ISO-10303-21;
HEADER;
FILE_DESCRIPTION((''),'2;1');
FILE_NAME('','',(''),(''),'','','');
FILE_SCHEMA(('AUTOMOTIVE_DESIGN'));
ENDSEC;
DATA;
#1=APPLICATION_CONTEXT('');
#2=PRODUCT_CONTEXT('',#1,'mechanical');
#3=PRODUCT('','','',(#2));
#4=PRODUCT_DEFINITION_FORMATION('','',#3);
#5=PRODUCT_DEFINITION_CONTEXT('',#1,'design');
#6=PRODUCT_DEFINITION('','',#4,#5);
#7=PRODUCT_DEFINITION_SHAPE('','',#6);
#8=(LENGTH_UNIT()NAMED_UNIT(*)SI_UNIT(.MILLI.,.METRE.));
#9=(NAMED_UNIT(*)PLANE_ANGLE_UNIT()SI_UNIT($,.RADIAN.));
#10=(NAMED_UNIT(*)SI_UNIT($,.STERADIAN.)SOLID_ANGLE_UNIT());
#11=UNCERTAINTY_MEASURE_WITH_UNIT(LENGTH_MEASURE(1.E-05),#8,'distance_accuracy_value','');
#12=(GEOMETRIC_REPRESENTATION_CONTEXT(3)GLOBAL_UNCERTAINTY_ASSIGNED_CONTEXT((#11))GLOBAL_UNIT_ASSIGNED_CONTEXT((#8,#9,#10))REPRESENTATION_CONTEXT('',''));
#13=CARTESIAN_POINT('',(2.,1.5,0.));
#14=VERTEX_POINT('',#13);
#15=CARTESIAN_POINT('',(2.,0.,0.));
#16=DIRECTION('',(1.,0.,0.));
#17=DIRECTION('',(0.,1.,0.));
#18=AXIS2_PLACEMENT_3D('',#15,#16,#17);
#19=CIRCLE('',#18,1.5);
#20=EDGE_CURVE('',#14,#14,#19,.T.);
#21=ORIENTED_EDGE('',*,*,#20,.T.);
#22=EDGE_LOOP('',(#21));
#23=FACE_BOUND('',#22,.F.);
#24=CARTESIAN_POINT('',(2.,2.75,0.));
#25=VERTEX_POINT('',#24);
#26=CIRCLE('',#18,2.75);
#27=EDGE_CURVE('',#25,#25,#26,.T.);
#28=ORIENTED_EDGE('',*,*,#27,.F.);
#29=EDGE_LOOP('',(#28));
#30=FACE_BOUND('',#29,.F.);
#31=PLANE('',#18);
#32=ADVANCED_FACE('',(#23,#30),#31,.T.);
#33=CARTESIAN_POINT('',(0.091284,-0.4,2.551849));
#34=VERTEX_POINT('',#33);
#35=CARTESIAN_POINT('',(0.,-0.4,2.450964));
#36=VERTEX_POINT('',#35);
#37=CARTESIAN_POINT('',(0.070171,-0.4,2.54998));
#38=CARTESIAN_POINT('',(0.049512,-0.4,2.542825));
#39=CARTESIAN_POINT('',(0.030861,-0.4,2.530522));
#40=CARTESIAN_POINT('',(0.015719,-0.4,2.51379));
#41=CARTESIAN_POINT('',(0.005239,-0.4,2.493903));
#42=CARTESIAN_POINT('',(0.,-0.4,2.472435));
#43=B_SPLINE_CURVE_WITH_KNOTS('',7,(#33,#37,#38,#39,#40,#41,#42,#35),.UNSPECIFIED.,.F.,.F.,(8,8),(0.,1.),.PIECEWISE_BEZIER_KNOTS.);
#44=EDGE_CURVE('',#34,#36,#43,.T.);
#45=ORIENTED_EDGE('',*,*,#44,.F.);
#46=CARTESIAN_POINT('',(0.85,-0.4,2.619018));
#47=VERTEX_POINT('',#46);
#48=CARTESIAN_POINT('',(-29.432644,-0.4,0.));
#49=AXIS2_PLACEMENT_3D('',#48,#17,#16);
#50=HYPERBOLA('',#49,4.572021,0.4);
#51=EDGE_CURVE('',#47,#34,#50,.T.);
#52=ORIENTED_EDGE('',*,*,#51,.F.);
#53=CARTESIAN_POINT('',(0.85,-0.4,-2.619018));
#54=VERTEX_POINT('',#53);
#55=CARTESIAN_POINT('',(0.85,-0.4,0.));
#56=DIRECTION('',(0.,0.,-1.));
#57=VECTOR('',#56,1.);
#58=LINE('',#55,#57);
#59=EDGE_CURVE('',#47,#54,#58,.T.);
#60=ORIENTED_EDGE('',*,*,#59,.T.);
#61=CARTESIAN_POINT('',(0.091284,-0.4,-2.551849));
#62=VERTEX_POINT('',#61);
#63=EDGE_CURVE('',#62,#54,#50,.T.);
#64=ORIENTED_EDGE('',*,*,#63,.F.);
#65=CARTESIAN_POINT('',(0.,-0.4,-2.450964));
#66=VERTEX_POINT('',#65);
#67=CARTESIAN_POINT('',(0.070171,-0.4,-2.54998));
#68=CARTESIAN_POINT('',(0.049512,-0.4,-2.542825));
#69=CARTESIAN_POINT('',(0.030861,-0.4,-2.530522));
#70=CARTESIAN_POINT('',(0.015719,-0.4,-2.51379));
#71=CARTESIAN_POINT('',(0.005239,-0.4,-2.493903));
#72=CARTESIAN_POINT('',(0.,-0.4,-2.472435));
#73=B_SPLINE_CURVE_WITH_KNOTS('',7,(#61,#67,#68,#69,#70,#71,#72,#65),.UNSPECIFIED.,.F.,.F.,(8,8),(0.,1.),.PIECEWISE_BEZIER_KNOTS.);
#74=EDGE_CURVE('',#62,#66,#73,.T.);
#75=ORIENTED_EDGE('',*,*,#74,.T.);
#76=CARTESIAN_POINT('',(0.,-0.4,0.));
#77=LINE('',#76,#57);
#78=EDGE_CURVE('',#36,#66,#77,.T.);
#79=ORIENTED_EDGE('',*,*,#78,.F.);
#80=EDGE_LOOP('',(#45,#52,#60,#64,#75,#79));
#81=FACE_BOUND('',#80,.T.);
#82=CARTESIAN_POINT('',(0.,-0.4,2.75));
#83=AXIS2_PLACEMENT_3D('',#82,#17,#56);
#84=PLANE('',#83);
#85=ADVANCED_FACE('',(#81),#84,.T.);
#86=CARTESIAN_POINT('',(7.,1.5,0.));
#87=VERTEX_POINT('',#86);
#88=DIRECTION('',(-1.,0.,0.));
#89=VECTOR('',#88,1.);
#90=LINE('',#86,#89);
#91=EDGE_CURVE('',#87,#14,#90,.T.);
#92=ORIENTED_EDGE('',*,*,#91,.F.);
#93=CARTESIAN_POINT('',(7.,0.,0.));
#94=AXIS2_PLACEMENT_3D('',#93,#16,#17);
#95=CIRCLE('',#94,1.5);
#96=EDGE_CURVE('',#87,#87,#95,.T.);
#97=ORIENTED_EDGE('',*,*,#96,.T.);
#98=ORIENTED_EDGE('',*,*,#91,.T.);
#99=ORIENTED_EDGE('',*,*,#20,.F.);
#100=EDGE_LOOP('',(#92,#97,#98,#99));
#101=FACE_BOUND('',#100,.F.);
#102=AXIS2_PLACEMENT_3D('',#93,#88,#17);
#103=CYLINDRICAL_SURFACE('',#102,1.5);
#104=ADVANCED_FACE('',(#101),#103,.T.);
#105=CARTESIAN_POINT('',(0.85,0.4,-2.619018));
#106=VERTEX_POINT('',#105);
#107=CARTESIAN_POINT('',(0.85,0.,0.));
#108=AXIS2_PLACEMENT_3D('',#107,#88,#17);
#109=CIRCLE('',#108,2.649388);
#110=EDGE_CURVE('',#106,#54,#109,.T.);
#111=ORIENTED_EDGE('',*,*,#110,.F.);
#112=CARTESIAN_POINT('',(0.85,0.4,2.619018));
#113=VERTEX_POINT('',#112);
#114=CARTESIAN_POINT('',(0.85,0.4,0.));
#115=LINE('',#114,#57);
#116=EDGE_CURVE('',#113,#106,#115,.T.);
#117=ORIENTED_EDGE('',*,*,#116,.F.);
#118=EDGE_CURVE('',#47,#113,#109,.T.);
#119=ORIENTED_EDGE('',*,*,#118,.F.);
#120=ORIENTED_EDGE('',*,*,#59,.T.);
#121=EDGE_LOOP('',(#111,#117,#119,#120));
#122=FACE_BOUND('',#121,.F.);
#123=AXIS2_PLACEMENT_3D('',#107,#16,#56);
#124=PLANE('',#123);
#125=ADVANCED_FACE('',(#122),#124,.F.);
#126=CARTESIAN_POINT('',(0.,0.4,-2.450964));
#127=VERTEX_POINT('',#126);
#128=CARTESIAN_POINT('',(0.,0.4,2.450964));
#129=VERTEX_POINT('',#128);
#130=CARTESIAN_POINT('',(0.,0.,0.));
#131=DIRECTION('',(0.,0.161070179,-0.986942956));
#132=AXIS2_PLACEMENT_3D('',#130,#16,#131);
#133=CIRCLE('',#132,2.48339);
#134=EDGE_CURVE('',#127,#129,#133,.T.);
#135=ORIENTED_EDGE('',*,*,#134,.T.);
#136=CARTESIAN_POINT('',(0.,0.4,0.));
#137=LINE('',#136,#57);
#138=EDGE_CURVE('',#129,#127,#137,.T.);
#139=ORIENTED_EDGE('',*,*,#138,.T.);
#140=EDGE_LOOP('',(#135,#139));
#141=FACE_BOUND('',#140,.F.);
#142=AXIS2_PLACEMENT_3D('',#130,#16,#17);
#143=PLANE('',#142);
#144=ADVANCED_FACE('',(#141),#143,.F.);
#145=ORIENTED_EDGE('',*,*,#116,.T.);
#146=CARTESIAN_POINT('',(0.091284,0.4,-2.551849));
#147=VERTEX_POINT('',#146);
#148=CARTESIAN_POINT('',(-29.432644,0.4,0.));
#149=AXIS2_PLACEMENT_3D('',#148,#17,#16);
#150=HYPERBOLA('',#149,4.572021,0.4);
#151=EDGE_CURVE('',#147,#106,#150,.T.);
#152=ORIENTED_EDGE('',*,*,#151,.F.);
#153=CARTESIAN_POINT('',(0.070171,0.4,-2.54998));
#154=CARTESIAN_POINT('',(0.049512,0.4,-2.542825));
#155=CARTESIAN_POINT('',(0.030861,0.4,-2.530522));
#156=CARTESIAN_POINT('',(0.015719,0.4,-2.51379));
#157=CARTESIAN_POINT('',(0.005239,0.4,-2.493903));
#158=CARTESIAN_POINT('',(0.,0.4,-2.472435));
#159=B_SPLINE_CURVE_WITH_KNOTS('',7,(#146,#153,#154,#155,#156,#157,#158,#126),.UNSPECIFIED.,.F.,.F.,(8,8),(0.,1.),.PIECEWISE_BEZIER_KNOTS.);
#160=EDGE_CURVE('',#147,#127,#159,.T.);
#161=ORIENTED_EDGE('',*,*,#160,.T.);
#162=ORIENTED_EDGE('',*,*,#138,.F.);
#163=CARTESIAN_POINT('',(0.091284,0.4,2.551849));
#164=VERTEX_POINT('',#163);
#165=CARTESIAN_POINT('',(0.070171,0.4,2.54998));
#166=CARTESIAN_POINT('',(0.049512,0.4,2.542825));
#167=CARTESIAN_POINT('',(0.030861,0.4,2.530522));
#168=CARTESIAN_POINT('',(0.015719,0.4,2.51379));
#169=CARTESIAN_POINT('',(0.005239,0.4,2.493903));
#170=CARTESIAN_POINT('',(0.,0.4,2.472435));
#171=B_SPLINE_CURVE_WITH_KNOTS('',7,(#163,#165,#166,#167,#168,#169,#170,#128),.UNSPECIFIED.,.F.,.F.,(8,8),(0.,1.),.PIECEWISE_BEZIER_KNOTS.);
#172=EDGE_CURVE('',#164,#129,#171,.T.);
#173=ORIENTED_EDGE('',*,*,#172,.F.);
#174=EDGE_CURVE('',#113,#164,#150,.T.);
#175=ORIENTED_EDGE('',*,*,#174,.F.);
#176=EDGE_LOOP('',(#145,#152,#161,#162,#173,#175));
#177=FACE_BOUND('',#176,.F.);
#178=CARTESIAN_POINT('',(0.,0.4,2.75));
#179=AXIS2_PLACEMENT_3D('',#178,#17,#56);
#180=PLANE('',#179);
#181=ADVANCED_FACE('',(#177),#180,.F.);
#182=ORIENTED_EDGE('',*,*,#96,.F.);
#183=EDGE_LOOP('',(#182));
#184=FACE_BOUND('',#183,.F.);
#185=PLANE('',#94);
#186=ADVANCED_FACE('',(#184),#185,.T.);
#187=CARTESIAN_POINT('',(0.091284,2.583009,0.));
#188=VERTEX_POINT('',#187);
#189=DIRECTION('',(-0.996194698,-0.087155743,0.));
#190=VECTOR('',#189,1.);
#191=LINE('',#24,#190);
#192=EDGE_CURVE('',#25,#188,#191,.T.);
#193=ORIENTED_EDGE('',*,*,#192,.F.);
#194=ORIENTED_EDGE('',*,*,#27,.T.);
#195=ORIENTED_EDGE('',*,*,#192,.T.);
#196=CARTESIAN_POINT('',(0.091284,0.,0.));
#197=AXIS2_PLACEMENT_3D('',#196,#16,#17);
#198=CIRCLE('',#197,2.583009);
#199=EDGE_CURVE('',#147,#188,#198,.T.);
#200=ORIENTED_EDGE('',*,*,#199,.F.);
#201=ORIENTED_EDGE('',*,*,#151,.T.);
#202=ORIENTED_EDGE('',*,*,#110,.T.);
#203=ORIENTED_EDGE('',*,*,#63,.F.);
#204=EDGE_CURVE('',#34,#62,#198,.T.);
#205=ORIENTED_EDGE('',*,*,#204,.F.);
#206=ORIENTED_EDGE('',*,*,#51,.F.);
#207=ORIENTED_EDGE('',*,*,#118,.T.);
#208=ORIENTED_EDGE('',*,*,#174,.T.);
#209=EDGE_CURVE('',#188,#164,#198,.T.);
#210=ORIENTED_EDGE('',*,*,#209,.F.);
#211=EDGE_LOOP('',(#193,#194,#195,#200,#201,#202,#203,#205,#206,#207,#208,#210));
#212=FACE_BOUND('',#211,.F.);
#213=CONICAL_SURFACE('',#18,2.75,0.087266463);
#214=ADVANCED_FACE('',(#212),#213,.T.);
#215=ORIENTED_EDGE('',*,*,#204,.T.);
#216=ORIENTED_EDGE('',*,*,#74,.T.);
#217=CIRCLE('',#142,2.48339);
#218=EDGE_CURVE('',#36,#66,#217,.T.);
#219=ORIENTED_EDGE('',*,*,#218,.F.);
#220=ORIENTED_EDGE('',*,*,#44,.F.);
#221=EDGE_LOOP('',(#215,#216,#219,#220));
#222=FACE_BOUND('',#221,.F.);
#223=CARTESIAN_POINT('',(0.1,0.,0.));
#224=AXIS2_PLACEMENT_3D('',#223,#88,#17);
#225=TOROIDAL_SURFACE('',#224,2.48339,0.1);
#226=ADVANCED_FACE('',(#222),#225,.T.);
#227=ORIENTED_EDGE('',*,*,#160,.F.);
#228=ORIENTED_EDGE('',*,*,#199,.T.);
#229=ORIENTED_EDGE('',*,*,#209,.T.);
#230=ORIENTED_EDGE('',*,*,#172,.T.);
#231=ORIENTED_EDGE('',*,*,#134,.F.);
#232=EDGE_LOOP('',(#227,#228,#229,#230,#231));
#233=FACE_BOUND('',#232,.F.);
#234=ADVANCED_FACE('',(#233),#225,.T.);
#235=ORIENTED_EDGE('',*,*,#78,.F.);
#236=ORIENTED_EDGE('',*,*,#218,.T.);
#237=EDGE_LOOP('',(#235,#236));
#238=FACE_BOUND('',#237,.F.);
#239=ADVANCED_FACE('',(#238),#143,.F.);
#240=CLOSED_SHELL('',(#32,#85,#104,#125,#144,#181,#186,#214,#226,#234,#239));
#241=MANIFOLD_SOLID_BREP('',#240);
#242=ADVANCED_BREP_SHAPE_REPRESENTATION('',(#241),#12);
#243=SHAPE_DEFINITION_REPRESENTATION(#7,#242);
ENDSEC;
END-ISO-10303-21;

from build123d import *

# Parameters (mm, degrees)
FILLET2_R  = 0.1
SKETCH2_W  = 5.5
SKETCH2_H  = 0.8
SLOT_DEPTH = 0.85


with BuildPart() as part:
    # BodySke → Base-Revolve (revolve)
    with BuildSketch(Plane.XY):
        Polygon((2, 1.5), (2, 2.75), (0, 2.575022673), (0, 0), (7, 0), (7, 1.5), align=None)
    revolve(axis=Axis((-25.4, 0, 0), (1, 0, 0)))

    # Fillet2
    fillet2_edges = [part.edges().sort_by_distance(p)[0] for p in [
        (0, -2.575022673, 0),
    ]]
    fillet(fillet2_edges, radius=FILLET2_R)

    # Sketch2 → Slot (cut)
    with BuildSketch(Plane(origin=(0, 0, 0), x_dir=(0, 0, -1), z_dir=(1, 0, 0))):
        Rectangle(SKETCH2_W, SKETCH2_H)
    extrude(amount=SLOT_DEPTH, mode=Mode.SUBTRACT)


solid = part.part
